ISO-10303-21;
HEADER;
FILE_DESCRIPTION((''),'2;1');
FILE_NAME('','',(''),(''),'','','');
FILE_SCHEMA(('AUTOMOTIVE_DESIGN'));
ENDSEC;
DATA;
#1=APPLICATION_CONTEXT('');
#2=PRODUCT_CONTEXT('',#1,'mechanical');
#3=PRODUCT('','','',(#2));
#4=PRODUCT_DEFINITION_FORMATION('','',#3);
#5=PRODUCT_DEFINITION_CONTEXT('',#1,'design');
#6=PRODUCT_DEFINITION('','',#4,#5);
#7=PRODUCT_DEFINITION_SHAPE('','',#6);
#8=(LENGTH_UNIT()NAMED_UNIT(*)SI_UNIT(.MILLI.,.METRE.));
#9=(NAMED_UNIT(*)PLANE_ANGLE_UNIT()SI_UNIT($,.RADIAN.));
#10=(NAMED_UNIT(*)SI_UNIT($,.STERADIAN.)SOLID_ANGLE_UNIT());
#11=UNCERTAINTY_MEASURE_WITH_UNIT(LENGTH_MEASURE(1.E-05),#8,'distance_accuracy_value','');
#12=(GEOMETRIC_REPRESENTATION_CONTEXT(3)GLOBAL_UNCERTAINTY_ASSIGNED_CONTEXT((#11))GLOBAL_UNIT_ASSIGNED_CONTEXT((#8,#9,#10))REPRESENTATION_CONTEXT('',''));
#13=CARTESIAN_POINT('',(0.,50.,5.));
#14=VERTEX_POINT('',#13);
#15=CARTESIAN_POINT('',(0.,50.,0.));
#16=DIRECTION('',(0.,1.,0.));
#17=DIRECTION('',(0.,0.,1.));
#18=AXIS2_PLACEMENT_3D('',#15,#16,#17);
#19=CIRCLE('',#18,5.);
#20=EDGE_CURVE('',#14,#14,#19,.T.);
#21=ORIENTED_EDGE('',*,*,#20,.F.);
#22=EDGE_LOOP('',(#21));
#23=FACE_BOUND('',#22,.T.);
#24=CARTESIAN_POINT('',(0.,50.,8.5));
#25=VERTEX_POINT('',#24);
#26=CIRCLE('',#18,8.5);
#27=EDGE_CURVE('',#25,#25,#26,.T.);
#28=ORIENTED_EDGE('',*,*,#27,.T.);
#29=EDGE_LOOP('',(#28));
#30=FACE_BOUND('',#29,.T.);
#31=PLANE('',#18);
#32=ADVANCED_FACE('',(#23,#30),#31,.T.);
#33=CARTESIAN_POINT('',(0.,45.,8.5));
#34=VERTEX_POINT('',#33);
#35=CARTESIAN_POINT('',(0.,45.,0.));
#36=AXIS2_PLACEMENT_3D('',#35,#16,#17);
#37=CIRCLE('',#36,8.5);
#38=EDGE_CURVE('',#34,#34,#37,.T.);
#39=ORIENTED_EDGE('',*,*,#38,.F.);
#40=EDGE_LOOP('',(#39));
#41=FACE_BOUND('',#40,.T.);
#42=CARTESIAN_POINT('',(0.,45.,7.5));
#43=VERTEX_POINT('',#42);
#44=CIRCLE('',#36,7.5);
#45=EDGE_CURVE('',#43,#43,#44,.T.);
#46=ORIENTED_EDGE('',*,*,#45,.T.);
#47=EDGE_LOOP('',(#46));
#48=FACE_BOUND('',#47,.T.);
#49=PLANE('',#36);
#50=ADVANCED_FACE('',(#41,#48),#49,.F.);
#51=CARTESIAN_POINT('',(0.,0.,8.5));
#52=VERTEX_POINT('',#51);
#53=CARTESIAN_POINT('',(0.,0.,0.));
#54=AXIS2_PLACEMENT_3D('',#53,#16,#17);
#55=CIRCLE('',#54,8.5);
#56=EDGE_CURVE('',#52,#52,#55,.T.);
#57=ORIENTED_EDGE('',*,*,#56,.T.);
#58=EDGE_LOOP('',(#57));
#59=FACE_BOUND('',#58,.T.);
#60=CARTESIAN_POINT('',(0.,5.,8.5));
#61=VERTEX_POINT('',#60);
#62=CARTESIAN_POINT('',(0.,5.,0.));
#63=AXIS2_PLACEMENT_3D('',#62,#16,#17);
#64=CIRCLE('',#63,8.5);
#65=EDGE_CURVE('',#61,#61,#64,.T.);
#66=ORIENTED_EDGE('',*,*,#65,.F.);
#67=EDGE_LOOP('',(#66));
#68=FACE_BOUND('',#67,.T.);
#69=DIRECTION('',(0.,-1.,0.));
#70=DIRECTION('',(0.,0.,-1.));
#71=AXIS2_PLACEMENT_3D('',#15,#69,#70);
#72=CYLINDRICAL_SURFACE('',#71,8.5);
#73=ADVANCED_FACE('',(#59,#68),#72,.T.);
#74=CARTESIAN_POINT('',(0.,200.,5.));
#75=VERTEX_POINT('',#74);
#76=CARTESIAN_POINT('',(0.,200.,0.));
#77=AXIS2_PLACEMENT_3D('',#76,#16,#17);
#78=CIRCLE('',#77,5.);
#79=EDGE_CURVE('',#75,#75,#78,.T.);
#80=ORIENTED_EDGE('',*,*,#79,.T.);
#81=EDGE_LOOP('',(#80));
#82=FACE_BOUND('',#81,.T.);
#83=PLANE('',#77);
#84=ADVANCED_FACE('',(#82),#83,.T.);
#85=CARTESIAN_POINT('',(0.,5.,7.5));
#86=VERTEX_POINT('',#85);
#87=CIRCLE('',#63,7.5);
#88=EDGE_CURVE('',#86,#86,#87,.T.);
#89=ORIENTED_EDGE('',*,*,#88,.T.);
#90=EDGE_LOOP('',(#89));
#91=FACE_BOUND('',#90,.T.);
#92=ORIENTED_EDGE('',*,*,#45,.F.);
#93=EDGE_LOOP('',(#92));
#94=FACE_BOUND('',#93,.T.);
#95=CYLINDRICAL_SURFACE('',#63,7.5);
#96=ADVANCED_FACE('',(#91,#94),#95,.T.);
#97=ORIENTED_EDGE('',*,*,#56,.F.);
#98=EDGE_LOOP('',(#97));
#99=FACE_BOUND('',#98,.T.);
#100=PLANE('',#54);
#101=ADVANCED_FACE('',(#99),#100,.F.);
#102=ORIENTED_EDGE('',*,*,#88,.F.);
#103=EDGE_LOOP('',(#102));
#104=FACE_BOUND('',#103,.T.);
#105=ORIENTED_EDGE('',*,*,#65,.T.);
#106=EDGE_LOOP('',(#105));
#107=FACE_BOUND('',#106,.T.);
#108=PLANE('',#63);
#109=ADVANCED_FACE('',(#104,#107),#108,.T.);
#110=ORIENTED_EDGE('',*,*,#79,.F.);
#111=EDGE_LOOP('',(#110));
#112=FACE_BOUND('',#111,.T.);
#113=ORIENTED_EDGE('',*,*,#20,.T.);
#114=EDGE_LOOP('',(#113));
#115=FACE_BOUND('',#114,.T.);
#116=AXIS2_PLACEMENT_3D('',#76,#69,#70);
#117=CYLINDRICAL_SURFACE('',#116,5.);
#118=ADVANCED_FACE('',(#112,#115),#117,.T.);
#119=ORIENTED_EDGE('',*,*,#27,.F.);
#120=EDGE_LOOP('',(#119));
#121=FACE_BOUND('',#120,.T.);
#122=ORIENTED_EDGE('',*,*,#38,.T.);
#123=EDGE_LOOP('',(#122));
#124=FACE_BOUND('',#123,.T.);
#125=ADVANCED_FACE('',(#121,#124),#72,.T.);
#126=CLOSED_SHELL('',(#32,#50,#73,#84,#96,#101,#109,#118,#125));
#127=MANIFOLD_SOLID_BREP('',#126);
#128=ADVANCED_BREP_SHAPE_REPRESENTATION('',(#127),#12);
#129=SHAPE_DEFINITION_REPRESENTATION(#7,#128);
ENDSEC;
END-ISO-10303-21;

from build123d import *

# Parameters (mm, degrees)
SKETCH1_R           = 8.5
BOSS_EXTRUDE1_DEPTH = 50
SKETCH2_R           = 5
BOSS_EXTRUDE2_DEPTH = 150
SKETCH3_R           = 8.5
SKETCH3_R_2         = 7.5
CUT_EXTRUDE1_DEPTH  = 40


with BuildPart() as part:
    # Sketch1 → Boss-Extrude1 (new body)
    with BuildSketch(Plane(origin=(0, 0, 0), x_dir=(1, 0, 0), z_dir=(0, 1, 0))):
        Circle(SKETCH1_R)
    extrude(amount=BOSS_EXTRUDE1_DEPTH)

    # Sketch2 → Boss-Extrude2 (add)
    with BuildSketch(Plane(origin=(0, 50, 0), x_dir=(1, 0, 0), z_dir=(0, 1, 0))):
        Circle(SKETCH2_R)
    extrude(amount=BOSS_EXTRUDE2_DEPTH)

    # Sketch3 → Cut-Extrude1 (cut)
    with BuildSketch(Plane(origin=(0, 45, 0), x_dir=(1, 0, 0), z_dir=(0, 1, 0))):
        Circle(SKETCH3_R)
        Circle(SKETCH3_R_2, mode=Mode.SUBTRACT)
    extrude(amount=-CUT_EXTRUDE1_DEPTH, mode=Mode.SUBTRACT)


solid = part.part
